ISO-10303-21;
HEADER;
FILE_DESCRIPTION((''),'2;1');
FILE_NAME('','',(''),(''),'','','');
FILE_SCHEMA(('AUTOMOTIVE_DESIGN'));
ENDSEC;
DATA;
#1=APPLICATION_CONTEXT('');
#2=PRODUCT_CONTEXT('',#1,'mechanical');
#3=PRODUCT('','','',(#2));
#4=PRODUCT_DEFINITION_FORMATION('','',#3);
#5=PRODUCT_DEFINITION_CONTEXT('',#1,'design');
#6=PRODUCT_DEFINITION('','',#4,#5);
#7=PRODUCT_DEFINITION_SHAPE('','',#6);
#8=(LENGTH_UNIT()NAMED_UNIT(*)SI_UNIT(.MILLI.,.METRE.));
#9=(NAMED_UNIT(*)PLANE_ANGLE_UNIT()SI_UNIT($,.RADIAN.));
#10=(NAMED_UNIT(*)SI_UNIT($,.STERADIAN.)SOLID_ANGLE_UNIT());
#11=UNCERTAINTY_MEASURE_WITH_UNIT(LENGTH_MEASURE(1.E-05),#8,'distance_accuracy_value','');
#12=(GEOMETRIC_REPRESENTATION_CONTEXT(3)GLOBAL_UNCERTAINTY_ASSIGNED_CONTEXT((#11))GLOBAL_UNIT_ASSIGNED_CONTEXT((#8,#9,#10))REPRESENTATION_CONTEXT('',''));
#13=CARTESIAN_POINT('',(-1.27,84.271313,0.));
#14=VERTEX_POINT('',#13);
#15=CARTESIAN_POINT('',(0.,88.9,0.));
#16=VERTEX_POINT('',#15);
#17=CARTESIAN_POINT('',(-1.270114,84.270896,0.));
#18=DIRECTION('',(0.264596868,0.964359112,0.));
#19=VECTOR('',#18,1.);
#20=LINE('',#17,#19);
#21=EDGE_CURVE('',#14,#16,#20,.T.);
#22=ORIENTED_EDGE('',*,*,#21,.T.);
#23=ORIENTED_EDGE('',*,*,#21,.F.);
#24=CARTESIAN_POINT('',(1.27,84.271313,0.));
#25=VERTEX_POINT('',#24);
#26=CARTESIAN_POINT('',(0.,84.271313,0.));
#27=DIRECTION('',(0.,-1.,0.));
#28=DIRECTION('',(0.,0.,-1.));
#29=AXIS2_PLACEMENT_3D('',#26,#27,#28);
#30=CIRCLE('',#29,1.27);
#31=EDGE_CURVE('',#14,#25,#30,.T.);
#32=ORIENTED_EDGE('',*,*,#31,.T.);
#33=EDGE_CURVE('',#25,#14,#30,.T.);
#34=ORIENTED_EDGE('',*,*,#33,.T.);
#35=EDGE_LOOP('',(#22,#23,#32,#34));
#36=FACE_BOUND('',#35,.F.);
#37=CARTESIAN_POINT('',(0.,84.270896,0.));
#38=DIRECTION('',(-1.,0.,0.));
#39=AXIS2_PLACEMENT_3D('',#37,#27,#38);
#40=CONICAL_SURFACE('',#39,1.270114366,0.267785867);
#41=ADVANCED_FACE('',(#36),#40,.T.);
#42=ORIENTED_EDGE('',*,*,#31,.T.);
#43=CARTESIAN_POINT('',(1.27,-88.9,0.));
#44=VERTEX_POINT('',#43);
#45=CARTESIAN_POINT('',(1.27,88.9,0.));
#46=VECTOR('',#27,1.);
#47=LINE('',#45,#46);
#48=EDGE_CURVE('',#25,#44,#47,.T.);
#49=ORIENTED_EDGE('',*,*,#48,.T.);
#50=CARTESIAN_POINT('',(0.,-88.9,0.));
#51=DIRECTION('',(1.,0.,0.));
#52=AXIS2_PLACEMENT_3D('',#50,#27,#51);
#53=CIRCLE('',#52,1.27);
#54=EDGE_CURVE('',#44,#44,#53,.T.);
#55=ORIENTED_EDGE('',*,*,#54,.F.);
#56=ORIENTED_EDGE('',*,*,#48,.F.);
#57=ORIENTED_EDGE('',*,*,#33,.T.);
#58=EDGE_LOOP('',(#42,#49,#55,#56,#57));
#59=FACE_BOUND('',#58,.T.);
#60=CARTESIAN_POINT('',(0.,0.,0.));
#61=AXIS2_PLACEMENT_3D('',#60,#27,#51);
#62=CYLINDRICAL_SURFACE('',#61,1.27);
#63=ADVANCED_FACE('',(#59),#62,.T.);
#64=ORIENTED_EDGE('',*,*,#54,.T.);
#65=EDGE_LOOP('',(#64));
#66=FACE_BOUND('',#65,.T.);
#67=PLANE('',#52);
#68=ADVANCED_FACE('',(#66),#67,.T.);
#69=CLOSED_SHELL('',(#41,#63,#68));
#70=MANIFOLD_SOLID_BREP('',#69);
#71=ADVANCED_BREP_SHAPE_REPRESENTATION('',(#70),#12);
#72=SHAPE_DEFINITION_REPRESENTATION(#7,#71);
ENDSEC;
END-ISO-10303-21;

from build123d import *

# Parameters (mm, degrees)
F0_R     = 1.27
F1_DEPTH = 88.9


with BuildPart() as f1:
    # F0 (on Front) → F1 (new body, symmetric)
    with BuildSketch(Plane.XZ):
        Circle(F0_R)
    extrude(amount=F1_DEPTH, both=True)

    # F2 (on Top) → F3 (revolve, cut)
    with BuildSketch(Plane.XY):
        Polygon((-1.2701143664, 93.7513983365), (-1.2701143664, 84.2708962125), (0, 88.9), (0, 93.7513983365), align=None)
    revolve(axis=Axis((0, 86.9678706646, 0), (0, -1, 0)), mode=Mode.SUBTRACT)


solid = f1.part
